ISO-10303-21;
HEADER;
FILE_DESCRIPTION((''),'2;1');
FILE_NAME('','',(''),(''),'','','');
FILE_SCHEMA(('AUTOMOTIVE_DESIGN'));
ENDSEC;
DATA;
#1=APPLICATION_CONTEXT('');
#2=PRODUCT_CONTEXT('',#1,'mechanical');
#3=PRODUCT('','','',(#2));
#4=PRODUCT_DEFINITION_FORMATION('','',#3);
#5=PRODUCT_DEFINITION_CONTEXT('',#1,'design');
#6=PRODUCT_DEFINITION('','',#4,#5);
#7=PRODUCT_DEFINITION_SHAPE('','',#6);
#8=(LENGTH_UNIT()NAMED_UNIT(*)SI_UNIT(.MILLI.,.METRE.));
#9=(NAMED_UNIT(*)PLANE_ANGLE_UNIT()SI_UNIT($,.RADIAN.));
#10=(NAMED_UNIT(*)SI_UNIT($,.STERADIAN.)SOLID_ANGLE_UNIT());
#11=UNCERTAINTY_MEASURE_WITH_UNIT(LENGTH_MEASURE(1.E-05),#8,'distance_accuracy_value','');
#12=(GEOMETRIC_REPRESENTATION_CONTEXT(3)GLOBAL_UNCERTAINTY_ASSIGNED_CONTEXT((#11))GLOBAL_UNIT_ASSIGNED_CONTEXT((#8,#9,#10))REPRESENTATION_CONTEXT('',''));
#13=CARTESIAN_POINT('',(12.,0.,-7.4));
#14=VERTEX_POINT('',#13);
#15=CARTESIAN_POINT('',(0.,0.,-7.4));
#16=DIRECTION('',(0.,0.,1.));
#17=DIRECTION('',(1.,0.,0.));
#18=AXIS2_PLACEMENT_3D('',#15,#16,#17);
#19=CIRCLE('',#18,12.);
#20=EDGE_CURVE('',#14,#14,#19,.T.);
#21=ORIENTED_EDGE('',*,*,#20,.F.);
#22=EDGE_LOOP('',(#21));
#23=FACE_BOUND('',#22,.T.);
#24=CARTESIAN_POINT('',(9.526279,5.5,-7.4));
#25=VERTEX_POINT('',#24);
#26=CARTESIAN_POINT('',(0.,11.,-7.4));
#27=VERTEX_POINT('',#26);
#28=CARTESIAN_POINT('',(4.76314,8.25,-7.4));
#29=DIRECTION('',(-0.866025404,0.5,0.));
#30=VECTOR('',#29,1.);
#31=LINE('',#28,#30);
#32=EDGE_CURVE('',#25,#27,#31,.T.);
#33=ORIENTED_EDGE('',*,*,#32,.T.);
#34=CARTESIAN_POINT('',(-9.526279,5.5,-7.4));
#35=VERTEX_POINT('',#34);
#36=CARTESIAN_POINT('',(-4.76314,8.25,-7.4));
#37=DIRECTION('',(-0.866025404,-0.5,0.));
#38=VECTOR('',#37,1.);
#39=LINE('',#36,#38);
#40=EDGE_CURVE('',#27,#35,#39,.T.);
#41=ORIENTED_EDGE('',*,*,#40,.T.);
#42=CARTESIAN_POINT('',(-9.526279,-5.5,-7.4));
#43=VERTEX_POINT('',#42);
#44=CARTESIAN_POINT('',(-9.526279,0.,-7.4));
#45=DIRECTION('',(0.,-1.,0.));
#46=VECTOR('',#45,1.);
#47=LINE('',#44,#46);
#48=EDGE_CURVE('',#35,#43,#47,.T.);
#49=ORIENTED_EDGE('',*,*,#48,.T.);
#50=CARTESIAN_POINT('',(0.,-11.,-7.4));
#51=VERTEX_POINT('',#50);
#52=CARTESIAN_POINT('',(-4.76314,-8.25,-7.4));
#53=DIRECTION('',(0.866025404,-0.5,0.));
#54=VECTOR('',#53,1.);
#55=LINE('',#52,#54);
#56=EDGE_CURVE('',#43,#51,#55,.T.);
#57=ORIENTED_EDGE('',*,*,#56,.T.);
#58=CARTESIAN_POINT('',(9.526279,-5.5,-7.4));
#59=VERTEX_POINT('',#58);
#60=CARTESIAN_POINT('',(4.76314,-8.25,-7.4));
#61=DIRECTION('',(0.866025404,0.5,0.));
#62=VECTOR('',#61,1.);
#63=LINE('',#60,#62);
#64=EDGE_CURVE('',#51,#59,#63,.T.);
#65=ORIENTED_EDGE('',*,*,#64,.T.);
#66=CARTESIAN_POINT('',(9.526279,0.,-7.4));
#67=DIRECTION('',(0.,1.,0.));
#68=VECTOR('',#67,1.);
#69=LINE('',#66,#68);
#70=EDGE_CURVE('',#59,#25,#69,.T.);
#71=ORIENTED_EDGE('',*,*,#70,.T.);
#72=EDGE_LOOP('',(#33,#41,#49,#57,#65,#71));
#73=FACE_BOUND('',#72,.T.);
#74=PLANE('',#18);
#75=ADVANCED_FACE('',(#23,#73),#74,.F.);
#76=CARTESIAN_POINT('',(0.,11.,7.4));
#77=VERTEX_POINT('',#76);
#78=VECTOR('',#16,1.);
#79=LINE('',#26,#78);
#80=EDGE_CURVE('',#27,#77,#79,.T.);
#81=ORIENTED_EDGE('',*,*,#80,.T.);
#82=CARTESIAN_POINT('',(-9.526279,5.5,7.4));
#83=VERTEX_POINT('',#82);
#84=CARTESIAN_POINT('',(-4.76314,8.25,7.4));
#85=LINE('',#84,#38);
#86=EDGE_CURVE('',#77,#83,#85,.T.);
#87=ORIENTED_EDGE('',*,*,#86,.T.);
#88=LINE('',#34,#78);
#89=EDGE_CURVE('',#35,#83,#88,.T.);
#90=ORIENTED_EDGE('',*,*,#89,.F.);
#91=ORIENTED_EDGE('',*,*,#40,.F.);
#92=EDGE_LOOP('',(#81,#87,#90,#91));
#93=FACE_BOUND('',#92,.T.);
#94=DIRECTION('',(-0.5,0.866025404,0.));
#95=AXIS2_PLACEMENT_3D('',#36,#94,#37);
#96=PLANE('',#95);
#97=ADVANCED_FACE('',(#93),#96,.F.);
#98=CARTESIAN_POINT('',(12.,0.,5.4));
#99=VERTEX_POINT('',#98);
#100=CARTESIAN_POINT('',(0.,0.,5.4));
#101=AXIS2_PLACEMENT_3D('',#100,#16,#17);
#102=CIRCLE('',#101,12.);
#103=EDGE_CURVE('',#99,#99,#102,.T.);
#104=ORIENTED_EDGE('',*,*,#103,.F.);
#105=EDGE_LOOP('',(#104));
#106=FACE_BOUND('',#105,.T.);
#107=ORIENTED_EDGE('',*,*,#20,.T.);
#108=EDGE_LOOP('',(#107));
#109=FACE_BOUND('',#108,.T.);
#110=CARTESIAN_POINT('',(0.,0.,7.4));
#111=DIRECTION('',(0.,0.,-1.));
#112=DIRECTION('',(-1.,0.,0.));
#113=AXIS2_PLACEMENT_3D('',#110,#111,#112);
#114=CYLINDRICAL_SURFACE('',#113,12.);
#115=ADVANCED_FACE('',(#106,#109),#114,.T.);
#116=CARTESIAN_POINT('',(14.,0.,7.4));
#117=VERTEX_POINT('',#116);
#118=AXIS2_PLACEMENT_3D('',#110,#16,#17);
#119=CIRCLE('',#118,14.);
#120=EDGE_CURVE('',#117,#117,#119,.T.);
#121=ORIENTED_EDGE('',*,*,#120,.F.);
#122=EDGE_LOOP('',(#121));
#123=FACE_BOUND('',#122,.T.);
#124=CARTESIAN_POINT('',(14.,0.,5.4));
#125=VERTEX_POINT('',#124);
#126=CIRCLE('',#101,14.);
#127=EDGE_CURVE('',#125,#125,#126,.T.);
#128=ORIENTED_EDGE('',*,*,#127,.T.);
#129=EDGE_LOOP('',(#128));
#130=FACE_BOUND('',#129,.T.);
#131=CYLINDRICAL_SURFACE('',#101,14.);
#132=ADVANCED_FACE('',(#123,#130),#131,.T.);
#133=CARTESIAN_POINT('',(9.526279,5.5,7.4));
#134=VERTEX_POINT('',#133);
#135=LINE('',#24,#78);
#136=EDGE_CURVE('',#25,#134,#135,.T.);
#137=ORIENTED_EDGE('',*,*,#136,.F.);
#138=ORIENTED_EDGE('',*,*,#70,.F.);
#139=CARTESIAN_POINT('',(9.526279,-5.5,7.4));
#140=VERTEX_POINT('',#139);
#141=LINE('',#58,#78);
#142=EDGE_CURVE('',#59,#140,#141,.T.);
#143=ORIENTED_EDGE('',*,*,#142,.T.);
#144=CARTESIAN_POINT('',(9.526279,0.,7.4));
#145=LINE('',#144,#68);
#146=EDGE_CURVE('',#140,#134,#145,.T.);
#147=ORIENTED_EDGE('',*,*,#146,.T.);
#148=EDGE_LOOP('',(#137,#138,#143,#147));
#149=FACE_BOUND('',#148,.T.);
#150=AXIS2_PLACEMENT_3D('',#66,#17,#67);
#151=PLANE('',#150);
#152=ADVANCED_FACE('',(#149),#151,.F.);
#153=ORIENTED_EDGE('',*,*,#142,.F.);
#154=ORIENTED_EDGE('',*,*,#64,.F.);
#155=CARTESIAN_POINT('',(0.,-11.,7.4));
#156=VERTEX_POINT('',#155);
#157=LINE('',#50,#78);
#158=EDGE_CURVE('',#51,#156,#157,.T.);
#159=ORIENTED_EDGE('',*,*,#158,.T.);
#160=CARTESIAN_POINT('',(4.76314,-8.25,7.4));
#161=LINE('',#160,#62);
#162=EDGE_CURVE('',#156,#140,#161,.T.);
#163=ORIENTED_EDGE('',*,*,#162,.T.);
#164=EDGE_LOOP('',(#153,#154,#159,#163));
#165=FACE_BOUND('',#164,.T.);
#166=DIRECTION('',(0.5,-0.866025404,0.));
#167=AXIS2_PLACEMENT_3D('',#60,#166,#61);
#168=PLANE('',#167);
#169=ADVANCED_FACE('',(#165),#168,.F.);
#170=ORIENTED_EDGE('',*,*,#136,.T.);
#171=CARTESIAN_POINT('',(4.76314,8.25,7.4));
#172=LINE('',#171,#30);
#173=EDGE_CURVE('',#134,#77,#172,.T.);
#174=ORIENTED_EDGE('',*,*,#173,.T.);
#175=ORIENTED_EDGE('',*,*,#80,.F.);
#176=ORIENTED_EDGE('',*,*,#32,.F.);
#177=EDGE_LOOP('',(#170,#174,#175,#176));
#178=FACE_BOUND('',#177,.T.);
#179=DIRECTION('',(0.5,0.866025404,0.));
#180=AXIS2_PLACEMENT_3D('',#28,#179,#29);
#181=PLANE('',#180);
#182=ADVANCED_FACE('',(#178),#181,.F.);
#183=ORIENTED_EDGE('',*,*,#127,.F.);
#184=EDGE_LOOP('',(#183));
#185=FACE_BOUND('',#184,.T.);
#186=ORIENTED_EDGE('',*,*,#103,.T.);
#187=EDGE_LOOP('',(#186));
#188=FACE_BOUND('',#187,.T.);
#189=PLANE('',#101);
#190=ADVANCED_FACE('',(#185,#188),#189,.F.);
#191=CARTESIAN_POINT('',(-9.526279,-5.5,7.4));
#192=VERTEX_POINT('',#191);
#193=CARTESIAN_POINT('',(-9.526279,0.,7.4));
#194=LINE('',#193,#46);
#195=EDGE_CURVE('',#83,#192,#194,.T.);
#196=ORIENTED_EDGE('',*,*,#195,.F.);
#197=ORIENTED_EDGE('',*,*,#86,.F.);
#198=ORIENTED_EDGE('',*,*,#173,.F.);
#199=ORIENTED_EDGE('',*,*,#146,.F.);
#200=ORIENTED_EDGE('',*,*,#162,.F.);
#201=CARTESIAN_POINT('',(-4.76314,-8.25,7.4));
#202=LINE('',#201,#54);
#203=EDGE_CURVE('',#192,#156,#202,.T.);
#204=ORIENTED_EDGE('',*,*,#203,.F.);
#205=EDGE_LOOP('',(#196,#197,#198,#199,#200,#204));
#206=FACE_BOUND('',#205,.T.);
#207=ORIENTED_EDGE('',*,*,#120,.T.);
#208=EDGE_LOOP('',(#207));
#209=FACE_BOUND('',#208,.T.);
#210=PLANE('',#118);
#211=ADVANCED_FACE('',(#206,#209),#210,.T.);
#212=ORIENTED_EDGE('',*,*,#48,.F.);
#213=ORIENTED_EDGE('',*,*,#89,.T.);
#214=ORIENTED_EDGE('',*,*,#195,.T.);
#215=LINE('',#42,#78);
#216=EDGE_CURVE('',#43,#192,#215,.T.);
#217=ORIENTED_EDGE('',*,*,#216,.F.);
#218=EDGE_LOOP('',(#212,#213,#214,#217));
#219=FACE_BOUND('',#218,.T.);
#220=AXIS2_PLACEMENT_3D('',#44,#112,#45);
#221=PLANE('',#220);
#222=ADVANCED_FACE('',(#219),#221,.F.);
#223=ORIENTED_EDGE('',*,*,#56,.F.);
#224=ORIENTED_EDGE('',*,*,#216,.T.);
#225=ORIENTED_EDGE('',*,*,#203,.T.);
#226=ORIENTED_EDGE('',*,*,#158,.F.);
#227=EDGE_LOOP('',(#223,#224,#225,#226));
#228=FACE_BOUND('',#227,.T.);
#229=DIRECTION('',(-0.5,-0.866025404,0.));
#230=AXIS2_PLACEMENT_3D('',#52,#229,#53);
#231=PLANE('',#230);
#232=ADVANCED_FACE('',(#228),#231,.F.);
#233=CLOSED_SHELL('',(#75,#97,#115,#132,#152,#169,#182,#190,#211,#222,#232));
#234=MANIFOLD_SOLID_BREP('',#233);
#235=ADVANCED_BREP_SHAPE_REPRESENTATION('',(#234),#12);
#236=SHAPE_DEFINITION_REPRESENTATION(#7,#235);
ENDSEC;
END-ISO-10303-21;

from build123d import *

# Parameters (mm, degrees)
SKETCH1_R               = 12
SKETCH1_R_2             = 6.4
BOSS_EXTRUDE1_DEPTH     = 7.4
SKETCH3_R               = 14
BOSS_EXTRUDE3_DEPTH     = 2
CUT_EXTRUDE4_DEPTH      = 22.136697945
CUT_EXTRUDE4_DEPTH_BACK = 22.136697945


with BuildPart() as part:
    # Sketch1 → Boss-Extrude1 (new, symmetric)
    with BuildSketch(Plane.XY):
        Circle(SKETCH1_R)
        Circle(SKETCH1_R_2, mode=Mode.SUBTRACT)
    extrude(amount=BOSS_EXTRUDE1_DEPTH, both=True)

    # Sketch3 → Boss-Extrude3 (add)
    with BuildSketch(Plane.XY.offset(7.4)):
        Circle(SKETCH3_R)
    extrude(amount=-BOSS_EXTRUDE3_DEPTH)

    # Sketch1_4 → Cut-Extrude4 (cut, two sides: drawn at the far end of the back side and taken through both)
    with BuildSketch(Plane.XY.offset(-CUT_EXTRUDE4_DEPTH_BACK)):
        Polygon((-9.526279442, -5.5), (0, -11), (9.526279442, -5.5), (9.526279442, 5.5), (0, 11), (-9.526279442, 5.5), align=None)
    extrude(amount=CUT_EXTRUDE4_DEPTH + CUT_EXTRUDE4_DEPTH_BACK, mode=Mode.SUBTRACT)


solid = part.part
